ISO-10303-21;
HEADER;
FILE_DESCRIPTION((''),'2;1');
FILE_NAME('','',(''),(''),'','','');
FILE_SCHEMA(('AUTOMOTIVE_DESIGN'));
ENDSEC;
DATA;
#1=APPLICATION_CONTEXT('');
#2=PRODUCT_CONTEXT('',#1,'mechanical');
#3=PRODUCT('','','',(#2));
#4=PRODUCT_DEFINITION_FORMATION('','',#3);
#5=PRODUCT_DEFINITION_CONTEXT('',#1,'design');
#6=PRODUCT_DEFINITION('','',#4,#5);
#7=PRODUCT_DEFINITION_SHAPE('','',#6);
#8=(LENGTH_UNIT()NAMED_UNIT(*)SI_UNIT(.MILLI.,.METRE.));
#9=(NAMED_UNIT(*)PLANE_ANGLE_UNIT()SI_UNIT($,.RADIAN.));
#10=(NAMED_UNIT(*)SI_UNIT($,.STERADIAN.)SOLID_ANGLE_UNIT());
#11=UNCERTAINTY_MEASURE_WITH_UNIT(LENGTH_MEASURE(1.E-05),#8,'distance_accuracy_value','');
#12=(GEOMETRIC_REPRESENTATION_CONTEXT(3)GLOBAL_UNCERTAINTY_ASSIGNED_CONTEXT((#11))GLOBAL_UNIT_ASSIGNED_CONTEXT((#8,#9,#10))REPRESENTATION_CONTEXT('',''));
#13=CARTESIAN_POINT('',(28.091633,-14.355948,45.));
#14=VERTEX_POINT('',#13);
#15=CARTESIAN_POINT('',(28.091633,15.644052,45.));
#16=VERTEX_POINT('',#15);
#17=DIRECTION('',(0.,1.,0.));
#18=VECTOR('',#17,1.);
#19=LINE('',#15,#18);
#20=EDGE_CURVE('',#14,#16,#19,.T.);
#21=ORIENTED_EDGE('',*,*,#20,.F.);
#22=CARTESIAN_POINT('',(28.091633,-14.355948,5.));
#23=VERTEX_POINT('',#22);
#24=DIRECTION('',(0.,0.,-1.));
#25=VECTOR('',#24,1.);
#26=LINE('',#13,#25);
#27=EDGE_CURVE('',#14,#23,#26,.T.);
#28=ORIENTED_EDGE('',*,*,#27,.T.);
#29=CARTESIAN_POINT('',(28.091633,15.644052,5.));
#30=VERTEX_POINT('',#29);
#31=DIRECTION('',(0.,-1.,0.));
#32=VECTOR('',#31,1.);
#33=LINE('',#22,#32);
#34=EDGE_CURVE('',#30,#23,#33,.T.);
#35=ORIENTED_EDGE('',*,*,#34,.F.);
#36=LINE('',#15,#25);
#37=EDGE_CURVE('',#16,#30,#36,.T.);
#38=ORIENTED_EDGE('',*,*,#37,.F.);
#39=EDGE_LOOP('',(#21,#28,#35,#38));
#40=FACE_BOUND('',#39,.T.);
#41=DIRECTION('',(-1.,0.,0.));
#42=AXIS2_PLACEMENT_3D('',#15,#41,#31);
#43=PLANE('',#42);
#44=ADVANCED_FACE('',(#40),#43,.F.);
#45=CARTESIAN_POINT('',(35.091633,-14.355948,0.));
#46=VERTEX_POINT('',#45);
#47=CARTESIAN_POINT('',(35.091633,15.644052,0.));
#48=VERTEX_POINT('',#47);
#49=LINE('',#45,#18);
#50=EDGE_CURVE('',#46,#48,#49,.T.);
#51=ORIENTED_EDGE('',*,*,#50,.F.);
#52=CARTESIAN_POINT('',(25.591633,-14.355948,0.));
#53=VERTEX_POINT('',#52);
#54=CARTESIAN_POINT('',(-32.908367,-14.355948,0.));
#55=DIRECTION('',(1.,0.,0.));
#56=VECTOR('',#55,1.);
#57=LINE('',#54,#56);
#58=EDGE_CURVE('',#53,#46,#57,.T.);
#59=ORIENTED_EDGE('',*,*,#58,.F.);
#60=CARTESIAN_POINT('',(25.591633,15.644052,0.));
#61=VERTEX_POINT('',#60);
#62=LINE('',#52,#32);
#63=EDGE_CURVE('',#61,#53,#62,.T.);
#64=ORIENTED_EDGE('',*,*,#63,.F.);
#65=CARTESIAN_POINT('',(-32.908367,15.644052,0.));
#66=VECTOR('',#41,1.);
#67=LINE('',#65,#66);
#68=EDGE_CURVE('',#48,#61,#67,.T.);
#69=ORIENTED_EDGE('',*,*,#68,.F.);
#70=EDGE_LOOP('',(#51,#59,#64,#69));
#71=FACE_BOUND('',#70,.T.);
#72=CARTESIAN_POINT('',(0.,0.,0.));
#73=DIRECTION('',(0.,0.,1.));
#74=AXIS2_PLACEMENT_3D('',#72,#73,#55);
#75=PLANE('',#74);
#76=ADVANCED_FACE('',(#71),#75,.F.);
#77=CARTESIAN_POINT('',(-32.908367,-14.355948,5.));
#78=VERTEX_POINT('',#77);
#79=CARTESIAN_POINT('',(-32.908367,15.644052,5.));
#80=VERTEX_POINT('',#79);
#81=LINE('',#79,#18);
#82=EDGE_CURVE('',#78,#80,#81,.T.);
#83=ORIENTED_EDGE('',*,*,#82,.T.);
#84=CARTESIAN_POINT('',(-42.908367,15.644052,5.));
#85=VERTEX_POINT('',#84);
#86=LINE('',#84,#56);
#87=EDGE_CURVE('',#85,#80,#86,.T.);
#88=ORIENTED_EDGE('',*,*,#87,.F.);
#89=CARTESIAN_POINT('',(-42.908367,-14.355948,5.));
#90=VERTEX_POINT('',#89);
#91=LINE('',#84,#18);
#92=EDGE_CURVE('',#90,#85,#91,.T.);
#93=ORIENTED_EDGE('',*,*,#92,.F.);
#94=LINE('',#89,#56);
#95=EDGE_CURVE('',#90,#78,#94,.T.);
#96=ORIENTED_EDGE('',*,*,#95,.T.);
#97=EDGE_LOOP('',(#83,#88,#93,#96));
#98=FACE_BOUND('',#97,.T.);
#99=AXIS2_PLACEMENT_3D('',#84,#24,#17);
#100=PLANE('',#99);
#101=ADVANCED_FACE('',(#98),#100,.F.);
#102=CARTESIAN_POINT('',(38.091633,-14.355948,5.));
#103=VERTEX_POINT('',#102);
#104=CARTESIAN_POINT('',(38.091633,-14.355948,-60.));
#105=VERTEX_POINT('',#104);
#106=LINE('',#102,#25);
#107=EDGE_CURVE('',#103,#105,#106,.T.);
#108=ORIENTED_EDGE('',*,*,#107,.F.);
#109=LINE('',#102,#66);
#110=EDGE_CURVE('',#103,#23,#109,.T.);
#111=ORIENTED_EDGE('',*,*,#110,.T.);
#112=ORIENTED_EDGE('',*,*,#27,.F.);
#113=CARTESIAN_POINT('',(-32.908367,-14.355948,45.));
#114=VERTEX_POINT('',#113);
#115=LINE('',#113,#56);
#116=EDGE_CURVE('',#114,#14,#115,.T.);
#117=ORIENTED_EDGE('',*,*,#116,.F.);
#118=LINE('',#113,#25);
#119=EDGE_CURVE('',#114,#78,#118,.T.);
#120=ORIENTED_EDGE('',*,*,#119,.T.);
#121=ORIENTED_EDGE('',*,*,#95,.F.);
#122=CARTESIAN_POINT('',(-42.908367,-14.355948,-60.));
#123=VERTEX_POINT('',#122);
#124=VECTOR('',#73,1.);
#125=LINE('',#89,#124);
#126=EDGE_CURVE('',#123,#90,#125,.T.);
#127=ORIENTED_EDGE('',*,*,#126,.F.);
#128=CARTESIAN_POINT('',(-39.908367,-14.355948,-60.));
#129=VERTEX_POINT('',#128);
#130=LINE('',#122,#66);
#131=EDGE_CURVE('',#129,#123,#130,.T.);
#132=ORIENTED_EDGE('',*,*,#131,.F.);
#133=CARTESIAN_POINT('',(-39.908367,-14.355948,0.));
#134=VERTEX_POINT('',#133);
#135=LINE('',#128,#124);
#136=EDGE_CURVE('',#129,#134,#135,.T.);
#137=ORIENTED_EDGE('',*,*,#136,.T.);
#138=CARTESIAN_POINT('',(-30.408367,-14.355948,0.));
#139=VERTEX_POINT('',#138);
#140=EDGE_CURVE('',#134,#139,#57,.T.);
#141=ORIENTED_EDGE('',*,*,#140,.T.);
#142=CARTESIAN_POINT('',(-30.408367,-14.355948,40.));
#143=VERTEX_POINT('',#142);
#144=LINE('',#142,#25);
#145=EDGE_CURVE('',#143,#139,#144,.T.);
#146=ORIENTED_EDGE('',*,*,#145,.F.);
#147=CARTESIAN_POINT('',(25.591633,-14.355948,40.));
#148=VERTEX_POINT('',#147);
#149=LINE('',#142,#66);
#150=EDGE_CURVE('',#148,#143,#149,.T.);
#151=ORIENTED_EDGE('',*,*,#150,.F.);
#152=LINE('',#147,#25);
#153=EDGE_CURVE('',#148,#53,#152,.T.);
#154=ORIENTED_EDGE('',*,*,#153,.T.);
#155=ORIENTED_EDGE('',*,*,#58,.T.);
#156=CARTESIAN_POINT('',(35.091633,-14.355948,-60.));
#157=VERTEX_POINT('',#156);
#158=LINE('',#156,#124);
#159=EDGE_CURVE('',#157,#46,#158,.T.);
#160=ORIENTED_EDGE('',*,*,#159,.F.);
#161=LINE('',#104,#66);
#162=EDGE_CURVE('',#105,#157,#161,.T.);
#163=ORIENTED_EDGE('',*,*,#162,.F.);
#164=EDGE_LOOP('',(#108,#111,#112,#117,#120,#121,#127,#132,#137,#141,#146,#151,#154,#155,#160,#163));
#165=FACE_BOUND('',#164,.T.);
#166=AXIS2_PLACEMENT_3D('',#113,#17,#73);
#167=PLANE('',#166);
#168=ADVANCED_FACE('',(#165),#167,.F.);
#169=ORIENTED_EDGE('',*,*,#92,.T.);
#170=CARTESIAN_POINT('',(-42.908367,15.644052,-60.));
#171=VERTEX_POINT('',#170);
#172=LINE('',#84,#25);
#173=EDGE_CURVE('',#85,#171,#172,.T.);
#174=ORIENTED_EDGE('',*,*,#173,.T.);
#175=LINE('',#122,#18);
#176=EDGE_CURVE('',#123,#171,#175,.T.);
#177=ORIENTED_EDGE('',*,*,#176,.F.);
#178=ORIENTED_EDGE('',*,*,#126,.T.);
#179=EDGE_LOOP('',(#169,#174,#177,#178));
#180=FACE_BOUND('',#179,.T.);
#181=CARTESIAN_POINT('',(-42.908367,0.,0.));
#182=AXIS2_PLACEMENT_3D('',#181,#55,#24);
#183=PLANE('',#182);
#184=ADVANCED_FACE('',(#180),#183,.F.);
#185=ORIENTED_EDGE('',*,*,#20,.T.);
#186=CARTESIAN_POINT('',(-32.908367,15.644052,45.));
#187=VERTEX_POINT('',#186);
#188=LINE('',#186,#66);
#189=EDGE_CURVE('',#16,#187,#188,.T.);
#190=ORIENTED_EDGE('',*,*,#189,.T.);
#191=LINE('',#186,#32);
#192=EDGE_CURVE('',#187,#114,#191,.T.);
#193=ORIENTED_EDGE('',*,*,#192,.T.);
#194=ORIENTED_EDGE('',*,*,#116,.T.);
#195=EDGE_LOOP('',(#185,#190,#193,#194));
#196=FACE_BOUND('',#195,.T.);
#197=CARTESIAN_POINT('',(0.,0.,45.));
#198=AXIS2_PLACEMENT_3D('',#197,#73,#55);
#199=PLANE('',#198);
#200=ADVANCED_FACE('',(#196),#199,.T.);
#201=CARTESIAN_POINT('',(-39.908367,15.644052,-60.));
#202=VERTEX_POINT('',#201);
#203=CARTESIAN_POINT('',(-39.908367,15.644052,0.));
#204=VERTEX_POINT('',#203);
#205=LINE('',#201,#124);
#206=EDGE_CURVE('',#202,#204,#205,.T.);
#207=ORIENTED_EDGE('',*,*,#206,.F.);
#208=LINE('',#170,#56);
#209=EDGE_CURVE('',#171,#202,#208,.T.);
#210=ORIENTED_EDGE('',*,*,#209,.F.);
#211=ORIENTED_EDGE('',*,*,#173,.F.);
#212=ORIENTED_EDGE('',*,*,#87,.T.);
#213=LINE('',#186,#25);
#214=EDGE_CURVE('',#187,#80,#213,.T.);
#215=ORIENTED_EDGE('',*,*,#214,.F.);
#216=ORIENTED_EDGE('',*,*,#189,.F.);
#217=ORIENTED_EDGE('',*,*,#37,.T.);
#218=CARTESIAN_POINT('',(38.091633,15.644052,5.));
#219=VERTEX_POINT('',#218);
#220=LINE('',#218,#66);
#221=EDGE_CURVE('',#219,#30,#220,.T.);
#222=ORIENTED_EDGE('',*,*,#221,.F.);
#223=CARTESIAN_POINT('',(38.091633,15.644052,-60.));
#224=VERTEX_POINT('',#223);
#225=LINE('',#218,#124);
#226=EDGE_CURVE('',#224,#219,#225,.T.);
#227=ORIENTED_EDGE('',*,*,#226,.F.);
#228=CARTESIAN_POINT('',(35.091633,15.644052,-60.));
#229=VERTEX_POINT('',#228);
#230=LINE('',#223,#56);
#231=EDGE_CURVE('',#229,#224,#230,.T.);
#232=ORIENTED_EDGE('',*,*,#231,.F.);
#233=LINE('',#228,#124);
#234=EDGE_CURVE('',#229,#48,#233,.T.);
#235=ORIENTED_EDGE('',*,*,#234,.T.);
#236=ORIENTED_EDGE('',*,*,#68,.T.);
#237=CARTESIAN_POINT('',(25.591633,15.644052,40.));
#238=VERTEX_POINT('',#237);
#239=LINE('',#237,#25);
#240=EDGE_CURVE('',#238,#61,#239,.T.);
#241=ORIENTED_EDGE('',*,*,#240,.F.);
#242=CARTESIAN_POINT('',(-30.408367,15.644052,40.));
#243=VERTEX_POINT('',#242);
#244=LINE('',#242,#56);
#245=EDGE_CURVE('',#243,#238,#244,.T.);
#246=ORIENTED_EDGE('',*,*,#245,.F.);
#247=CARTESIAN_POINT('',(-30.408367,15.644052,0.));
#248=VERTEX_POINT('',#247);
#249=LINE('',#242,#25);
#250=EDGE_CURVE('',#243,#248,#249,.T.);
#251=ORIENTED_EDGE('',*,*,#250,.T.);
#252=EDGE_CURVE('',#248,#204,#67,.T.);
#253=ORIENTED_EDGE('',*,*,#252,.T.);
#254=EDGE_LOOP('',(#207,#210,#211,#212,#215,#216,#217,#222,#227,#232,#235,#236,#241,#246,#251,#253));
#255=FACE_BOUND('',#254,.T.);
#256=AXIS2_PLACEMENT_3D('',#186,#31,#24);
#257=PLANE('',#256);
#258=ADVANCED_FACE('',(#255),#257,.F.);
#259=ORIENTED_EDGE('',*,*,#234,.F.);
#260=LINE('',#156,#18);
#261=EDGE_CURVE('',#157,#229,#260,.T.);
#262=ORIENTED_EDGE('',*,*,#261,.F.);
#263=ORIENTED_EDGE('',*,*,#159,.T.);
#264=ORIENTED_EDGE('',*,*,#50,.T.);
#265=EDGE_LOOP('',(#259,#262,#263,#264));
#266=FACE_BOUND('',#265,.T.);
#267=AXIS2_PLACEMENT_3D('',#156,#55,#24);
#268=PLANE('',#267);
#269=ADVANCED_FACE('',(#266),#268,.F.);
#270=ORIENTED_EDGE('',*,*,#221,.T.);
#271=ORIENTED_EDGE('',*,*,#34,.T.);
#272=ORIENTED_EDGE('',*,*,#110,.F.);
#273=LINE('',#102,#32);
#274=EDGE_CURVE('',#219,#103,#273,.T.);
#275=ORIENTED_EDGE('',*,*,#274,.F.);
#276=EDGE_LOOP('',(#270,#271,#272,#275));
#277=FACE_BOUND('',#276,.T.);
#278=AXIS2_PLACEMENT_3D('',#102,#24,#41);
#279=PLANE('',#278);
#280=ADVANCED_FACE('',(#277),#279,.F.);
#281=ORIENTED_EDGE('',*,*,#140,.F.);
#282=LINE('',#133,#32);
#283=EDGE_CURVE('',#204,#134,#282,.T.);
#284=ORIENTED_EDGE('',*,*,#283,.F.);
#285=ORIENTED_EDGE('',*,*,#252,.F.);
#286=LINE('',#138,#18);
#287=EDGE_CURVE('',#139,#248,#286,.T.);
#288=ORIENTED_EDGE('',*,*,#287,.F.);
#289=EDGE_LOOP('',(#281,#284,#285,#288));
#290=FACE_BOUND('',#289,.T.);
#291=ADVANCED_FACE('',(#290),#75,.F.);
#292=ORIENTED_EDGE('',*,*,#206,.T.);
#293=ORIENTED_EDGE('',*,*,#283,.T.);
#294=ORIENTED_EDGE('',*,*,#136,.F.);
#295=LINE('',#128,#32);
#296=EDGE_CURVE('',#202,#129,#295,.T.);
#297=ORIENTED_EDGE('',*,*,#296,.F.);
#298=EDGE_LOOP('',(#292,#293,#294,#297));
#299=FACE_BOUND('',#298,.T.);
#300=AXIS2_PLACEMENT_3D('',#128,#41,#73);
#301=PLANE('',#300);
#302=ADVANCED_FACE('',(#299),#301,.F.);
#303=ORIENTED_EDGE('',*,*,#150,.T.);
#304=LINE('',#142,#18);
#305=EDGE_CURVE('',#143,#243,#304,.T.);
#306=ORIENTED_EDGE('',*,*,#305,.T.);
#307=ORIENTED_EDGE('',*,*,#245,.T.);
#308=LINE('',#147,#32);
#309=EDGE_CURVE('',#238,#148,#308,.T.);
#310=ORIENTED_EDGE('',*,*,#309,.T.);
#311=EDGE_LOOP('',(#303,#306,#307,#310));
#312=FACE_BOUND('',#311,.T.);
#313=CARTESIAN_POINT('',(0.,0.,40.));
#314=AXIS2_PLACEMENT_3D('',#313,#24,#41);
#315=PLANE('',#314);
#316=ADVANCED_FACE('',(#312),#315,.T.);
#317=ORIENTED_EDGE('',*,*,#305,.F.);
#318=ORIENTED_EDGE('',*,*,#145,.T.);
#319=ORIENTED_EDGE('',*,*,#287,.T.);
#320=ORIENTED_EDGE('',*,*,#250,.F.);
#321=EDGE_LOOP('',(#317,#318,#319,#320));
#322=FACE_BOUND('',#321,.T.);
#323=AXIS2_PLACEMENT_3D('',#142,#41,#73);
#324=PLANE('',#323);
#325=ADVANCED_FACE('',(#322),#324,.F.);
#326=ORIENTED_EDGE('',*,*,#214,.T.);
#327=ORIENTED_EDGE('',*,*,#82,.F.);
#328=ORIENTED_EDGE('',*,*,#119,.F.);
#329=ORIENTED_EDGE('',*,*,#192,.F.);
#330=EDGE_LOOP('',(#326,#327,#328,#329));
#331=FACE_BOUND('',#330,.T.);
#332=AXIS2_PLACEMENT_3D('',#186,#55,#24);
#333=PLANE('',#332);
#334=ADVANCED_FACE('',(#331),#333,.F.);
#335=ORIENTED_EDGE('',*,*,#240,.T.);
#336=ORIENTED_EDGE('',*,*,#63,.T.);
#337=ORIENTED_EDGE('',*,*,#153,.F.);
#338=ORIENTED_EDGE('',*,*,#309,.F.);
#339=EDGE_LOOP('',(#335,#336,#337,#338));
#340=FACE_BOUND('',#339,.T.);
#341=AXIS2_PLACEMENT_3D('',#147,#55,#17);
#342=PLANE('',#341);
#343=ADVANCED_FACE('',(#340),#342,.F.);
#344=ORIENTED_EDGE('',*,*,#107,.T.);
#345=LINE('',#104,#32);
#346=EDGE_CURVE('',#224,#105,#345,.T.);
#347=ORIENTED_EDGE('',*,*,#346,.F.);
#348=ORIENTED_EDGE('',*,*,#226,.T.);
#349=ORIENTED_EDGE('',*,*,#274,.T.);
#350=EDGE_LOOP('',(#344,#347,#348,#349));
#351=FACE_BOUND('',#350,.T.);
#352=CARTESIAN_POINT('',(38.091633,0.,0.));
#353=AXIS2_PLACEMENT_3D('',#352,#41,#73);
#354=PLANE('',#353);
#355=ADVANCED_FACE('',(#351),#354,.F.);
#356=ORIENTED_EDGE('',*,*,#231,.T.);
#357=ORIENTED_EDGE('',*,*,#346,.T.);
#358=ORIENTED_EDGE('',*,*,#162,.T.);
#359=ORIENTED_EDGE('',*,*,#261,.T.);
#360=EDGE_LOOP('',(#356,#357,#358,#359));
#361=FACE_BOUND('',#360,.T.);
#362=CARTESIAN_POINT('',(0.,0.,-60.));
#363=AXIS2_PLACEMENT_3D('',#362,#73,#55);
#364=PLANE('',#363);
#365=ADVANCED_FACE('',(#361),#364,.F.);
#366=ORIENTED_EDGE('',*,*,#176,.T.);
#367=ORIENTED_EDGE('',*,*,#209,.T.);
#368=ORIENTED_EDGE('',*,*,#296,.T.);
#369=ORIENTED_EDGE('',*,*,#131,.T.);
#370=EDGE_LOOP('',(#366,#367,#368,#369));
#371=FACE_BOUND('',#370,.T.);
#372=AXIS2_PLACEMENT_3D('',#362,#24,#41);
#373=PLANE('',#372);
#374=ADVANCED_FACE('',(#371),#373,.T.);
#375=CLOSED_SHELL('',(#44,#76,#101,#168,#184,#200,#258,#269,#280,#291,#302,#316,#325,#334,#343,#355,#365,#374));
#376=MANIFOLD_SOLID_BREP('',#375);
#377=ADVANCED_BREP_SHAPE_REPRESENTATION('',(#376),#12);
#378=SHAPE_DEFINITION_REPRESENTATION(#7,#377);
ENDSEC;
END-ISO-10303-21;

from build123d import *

# Parameters (mm, degrees)
ESQUISSE1_W             = 61
ESQUISSE1_H             = 30
BOSS_EXTRU_1_DEPTH      = 45
ESQUISSE2_W             = 56
ESQUISSE2_H             = 30
ENL_V_MAT_EXTRU_1_DEPTH = 40
ESQUISSE3_W             = 5
ESQUISSE3_H             = 30
BOSS_EXTRU_2_DEPTH      = 10
ESQUISSE4_W             = 5
ESQUISSE4_H             = 30
BOSS_EXTRU_3_DEPTH      = 10
ESQUISSE5_W             = 3
ESQUISSE5_H             = 30
BOSS_EXTRU_4_DEPTH      = 60
ESQUISSE6_W             = 3
ESQUISSE6_H             = 30
BOSS_EXTRU_5_DEPTH      = 60


with BuildPart() as part:
    # Esquisse1 → Boss.-Extru.1 (new body)
    with BuildSketch(Plane.XY):
        with Locations((-2.408366894, 0.644052045)):
            Rectangle(ESQUISSE1_W, ESQUISSE1_H)
    extrude(amount=BOSS_EXTRU_1_DEPTH)

    # Esquisse2 → Enlèv. mat.-Extru.1 (cut)
    with BuildSketch(Plane(origin=(0, 0, 0), x_dir=(-1, 0, 0), z_dir=(0, 0, -1))):
        with Locations((2.408366894, 0.644052045)):
            Rectangle(ESQUISSE2_W, ESQUISSE2_H)
    extrude(amount=-ENL_V_MAT_EXTRU_1_DEPTH, mode=Mode.SUBTRACT)

    # Esquisse3 → Boss.-Extru.2 (add)
    with BuildSketch(Plane(origin=(28.091633106, 0, 0), x_dir=(0, 0, -1), z_dir=(1, 0, 0))):
        with Locations((-2.5, 0.644052045)):
            Rectangle(ESQUISSE3_W, ESQUISSE3_H)
    extrude(amount=BOSS_EXTRU_2_DEPTH)

    # Esquisse4 → Boss.-Extru.3 (add)
    with BuildSketch(Plane.ZY.offset(32.908366894)):
        with Locations((2.5, 0.644052045)):
            Rectangle(ESQUISSE4_W, ESQUISSE4_H)
    extrude(amount=BOSS_EXTRU_3_DEPTH)

    # Esquisse5 → Boss.-Extru.4 (add)
    with BuildSketch(Plane(origin=(0, 0, 0), x_dir=(-1, 0, 0), z_dir=(0, 0, -1))):
        with Locations((-36.591633106, 0.644052045)):
            Rectangle(ESQUISSE5_W, ESQUISSE5_H)
    extrude(amount=BOSS_EXTRU_4_DEPTH)

    # Esquisse6 → Boss.-Extru.5 (add)
    with BuildSketch(Plane(origin=(0, 0, 0), x_dir=(-1, 0, 0), z_dir=(0, 0, -1))):
        with Locations((41.408366894, 0.644052045)):
            Rectangle(ESQUISSE6_W, ESQUISSE6_H)
    extrude(amount=BOSS_EXTRU_5_DEPTH)


solid = part.part
